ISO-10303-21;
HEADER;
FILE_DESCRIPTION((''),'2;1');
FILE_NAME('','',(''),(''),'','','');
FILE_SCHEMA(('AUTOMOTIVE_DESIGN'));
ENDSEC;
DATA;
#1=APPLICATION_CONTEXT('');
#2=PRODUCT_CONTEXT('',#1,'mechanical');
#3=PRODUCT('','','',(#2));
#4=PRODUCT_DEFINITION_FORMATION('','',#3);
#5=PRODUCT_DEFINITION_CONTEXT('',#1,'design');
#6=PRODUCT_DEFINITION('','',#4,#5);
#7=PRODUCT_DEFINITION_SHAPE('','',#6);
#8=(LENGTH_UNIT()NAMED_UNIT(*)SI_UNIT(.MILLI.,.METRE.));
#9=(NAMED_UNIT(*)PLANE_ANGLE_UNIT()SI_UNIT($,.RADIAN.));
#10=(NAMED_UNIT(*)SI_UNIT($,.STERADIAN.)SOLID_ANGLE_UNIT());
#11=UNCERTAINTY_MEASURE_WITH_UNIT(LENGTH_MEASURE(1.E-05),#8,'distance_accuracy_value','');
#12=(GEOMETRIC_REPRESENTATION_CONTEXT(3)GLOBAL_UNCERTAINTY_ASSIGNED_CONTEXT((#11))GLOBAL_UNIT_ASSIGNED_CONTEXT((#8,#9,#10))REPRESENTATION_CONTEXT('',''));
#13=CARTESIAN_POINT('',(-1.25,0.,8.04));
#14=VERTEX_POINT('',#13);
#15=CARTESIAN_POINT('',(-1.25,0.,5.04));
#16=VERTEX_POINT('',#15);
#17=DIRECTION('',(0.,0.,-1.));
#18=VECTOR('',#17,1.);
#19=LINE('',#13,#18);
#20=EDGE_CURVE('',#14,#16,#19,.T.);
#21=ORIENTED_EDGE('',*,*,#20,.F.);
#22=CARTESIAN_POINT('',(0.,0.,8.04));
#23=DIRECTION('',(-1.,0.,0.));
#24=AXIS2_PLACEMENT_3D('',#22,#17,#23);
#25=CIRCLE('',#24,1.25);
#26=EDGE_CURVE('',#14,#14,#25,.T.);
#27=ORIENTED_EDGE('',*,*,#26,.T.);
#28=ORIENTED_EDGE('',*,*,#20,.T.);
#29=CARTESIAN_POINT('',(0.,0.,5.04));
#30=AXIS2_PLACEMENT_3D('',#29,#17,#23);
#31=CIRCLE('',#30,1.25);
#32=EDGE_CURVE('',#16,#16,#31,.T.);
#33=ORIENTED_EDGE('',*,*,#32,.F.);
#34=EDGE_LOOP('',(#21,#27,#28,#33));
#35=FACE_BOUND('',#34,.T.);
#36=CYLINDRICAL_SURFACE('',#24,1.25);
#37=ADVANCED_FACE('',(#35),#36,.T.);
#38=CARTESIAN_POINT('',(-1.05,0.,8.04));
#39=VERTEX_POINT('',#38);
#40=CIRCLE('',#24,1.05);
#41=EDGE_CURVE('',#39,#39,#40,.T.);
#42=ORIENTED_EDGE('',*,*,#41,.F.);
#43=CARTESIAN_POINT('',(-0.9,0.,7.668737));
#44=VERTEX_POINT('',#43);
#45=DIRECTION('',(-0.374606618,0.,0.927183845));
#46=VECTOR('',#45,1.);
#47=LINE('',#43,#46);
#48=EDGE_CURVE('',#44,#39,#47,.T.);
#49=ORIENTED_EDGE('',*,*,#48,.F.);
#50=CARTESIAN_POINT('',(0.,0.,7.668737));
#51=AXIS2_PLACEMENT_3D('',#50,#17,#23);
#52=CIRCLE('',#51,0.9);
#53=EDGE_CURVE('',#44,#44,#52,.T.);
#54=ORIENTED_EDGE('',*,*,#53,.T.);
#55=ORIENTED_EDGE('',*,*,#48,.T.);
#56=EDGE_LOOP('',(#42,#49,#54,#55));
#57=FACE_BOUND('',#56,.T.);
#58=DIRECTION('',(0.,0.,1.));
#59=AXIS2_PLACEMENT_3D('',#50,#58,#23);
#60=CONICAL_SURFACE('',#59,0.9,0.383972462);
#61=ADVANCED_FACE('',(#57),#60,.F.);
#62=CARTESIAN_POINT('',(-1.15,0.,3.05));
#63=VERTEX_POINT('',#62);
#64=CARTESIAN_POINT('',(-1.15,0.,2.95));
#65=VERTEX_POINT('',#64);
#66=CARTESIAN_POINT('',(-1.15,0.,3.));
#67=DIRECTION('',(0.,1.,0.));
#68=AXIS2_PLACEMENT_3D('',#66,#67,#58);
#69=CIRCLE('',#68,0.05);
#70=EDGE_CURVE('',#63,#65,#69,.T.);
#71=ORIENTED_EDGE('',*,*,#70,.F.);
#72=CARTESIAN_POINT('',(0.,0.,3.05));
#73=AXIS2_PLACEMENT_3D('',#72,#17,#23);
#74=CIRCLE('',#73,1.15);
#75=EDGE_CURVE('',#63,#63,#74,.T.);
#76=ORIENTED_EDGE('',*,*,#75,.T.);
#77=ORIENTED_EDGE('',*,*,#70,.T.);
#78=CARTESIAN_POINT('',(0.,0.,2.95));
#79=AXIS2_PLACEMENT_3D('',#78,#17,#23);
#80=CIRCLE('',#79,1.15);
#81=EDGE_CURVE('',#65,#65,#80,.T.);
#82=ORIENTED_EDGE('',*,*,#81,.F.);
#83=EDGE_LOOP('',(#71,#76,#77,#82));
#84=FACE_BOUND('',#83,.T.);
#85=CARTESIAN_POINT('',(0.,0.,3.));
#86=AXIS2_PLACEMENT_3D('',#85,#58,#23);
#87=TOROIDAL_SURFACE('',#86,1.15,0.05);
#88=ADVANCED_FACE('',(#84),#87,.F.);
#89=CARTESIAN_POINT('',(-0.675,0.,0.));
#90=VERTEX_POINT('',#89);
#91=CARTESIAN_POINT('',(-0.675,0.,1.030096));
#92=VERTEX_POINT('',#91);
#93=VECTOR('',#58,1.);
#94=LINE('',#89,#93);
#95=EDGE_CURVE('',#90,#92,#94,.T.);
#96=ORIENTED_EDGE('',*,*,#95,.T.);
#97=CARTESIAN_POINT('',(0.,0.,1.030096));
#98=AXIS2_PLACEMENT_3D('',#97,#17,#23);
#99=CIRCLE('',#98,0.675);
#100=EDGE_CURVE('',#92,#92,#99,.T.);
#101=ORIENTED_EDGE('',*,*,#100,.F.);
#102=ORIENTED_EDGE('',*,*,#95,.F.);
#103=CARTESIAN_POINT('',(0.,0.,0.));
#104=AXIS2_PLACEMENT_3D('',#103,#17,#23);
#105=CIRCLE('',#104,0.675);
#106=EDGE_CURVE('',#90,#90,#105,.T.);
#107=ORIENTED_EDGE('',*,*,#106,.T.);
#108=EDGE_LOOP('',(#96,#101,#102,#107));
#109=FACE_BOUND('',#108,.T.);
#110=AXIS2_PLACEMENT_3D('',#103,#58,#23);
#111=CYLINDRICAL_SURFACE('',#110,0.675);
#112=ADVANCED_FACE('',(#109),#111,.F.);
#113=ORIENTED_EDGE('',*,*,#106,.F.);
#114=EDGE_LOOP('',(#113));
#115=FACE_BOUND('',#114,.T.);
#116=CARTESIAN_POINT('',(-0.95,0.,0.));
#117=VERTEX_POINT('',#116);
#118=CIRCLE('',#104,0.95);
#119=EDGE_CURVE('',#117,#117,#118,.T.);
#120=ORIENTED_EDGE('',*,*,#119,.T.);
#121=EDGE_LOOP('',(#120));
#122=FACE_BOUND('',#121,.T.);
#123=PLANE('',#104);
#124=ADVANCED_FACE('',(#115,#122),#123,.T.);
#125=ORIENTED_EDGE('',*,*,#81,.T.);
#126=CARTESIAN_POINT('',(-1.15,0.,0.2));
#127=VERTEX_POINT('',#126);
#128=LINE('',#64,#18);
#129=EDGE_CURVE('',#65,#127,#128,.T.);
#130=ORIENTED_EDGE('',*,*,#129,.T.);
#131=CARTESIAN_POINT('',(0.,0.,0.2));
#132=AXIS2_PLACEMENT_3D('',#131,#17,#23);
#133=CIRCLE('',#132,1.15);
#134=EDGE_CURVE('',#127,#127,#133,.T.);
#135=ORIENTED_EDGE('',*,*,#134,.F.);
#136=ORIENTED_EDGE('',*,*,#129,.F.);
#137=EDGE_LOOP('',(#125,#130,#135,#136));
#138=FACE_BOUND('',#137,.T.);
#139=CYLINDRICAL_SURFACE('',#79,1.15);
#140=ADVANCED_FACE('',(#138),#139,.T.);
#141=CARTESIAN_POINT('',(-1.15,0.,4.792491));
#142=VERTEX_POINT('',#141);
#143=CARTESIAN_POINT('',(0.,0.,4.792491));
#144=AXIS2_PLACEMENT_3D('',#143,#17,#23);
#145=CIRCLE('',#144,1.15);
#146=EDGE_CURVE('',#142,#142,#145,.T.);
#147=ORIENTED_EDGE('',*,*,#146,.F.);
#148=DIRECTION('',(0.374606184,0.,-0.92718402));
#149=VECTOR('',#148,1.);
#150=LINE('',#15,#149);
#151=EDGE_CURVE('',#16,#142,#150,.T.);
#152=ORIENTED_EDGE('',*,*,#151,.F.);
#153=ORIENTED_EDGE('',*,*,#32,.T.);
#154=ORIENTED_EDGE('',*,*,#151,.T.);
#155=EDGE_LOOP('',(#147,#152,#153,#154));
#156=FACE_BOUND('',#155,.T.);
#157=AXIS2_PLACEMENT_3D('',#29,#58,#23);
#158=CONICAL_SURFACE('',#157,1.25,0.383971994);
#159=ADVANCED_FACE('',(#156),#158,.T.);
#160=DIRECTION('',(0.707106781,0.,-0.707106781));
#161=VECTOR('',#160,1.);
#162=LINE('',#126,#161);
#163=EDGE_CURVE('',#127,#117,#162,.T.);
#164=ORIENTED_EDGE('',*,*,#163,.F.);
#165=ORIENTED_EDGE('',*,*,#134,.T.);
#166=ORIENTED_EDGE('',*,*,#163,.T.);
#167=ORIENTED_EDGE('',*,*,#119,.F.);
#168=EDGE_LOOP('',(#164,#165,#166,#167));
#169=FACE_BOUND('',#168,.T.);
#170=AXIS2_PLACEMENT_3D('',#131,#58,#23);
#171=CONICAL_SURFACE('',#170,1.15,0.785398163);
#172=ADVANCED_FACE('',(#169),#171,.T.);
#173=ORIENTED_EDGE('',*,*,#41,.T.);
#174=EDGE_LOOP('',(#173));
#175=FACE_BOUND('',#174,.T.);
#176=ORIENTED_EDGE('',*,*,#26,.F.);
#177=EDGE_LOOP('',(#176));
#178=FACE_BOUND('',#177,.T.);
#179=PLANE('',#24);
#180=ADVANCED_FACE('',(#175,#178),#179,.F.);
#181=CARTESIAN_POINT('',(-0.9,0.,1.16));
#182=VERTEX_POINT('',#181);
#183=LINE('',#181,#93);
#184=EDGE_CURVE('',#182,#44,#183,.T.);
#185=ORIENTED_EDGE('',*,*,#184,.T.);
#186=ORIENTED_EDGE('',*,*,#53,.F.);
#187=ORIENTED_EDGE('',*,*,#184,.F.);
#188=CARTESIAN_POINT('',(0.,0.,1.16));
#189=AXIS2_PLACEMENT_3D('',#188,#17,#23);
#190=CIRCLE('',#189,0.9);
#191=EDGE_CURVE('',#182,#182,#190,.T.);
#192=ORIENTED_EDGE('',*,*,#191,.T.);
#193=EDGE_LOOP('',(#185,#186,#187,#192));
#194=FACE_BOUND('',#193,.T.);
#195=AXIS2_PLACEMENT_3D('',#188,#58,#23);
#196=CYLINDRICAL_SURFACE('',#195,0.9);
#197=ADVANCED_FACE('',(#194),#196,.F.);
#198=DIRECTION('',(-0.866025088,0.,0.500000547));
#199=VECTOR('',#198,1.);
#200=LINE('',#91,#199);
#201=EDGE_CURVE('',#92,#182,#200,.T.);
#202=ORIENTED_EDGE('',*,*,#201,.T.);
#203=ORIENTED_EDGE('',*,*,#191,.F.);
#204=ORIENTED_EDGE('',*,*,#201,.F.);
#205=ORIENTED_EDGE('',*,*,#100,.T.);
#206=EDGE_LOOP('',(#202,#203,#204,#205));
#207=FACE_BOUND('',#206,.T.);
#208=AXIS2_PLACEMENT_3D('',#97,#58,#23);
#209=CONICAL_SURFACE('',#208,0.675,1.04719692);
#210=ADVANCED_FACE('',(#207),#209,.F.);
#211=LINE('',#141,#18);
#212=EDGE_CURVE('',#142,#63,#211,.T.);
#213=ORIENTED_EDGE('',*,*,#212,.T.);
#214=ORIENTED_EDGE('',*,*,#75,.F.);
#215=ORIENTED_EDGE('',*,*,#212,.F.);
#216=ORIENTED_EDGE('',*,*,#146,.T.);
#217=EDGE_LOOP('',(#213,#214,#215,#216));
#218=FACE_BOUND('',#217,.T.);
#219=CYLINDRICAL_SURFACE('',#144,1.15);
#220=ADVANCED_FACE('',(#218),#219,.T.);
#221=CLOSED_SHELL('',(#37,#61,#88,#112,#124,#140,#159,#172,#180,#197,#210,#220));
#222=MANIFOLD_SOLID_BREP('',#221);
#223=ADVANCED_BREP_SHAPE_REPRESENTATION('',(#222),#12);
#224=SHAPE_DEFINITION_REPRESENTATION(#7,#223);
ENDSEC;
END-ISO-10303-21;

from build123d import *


with BuildPart() as f1:
    # F0 (on Front) → F1 (revolve)
    with BuildSketch(Plane.XZ):
        with BuildLine():
            Line((-0.9, 7.668737), (-1.05, 8.04))
            Line((-1.05, 8.04), (-1.25, 8.04))
            Line((-1.25, 8.04), (-1.25, 5.04))
            Line((-1.25, 5.04), (-1.15, 4.792491))
            Line((-1.15, 4.792491), (-1.15, 3.05))
            ThreePointArc((-1.15, 3.05), (-1.1, 3), (-1.15, 2.95))
            Line((-1.15, 2.95), (-1.15, 0.2))
            Line((-1.15, 0.2), (-0.95, 0))
            Line((-0.95, 0), (-0.675, 0))
            Line((-0.675, 0), (-0.675, 1.030096))
            Line((-0.675, 1.030096), (-0.9, 1.16))
            Line((-0.9, 1.16), (-0.9, 7.668737))
        make_face()
    revolve(axis=Axis((0, 0, 2.568733), (0, 0, -1)))


solid = f1.part
